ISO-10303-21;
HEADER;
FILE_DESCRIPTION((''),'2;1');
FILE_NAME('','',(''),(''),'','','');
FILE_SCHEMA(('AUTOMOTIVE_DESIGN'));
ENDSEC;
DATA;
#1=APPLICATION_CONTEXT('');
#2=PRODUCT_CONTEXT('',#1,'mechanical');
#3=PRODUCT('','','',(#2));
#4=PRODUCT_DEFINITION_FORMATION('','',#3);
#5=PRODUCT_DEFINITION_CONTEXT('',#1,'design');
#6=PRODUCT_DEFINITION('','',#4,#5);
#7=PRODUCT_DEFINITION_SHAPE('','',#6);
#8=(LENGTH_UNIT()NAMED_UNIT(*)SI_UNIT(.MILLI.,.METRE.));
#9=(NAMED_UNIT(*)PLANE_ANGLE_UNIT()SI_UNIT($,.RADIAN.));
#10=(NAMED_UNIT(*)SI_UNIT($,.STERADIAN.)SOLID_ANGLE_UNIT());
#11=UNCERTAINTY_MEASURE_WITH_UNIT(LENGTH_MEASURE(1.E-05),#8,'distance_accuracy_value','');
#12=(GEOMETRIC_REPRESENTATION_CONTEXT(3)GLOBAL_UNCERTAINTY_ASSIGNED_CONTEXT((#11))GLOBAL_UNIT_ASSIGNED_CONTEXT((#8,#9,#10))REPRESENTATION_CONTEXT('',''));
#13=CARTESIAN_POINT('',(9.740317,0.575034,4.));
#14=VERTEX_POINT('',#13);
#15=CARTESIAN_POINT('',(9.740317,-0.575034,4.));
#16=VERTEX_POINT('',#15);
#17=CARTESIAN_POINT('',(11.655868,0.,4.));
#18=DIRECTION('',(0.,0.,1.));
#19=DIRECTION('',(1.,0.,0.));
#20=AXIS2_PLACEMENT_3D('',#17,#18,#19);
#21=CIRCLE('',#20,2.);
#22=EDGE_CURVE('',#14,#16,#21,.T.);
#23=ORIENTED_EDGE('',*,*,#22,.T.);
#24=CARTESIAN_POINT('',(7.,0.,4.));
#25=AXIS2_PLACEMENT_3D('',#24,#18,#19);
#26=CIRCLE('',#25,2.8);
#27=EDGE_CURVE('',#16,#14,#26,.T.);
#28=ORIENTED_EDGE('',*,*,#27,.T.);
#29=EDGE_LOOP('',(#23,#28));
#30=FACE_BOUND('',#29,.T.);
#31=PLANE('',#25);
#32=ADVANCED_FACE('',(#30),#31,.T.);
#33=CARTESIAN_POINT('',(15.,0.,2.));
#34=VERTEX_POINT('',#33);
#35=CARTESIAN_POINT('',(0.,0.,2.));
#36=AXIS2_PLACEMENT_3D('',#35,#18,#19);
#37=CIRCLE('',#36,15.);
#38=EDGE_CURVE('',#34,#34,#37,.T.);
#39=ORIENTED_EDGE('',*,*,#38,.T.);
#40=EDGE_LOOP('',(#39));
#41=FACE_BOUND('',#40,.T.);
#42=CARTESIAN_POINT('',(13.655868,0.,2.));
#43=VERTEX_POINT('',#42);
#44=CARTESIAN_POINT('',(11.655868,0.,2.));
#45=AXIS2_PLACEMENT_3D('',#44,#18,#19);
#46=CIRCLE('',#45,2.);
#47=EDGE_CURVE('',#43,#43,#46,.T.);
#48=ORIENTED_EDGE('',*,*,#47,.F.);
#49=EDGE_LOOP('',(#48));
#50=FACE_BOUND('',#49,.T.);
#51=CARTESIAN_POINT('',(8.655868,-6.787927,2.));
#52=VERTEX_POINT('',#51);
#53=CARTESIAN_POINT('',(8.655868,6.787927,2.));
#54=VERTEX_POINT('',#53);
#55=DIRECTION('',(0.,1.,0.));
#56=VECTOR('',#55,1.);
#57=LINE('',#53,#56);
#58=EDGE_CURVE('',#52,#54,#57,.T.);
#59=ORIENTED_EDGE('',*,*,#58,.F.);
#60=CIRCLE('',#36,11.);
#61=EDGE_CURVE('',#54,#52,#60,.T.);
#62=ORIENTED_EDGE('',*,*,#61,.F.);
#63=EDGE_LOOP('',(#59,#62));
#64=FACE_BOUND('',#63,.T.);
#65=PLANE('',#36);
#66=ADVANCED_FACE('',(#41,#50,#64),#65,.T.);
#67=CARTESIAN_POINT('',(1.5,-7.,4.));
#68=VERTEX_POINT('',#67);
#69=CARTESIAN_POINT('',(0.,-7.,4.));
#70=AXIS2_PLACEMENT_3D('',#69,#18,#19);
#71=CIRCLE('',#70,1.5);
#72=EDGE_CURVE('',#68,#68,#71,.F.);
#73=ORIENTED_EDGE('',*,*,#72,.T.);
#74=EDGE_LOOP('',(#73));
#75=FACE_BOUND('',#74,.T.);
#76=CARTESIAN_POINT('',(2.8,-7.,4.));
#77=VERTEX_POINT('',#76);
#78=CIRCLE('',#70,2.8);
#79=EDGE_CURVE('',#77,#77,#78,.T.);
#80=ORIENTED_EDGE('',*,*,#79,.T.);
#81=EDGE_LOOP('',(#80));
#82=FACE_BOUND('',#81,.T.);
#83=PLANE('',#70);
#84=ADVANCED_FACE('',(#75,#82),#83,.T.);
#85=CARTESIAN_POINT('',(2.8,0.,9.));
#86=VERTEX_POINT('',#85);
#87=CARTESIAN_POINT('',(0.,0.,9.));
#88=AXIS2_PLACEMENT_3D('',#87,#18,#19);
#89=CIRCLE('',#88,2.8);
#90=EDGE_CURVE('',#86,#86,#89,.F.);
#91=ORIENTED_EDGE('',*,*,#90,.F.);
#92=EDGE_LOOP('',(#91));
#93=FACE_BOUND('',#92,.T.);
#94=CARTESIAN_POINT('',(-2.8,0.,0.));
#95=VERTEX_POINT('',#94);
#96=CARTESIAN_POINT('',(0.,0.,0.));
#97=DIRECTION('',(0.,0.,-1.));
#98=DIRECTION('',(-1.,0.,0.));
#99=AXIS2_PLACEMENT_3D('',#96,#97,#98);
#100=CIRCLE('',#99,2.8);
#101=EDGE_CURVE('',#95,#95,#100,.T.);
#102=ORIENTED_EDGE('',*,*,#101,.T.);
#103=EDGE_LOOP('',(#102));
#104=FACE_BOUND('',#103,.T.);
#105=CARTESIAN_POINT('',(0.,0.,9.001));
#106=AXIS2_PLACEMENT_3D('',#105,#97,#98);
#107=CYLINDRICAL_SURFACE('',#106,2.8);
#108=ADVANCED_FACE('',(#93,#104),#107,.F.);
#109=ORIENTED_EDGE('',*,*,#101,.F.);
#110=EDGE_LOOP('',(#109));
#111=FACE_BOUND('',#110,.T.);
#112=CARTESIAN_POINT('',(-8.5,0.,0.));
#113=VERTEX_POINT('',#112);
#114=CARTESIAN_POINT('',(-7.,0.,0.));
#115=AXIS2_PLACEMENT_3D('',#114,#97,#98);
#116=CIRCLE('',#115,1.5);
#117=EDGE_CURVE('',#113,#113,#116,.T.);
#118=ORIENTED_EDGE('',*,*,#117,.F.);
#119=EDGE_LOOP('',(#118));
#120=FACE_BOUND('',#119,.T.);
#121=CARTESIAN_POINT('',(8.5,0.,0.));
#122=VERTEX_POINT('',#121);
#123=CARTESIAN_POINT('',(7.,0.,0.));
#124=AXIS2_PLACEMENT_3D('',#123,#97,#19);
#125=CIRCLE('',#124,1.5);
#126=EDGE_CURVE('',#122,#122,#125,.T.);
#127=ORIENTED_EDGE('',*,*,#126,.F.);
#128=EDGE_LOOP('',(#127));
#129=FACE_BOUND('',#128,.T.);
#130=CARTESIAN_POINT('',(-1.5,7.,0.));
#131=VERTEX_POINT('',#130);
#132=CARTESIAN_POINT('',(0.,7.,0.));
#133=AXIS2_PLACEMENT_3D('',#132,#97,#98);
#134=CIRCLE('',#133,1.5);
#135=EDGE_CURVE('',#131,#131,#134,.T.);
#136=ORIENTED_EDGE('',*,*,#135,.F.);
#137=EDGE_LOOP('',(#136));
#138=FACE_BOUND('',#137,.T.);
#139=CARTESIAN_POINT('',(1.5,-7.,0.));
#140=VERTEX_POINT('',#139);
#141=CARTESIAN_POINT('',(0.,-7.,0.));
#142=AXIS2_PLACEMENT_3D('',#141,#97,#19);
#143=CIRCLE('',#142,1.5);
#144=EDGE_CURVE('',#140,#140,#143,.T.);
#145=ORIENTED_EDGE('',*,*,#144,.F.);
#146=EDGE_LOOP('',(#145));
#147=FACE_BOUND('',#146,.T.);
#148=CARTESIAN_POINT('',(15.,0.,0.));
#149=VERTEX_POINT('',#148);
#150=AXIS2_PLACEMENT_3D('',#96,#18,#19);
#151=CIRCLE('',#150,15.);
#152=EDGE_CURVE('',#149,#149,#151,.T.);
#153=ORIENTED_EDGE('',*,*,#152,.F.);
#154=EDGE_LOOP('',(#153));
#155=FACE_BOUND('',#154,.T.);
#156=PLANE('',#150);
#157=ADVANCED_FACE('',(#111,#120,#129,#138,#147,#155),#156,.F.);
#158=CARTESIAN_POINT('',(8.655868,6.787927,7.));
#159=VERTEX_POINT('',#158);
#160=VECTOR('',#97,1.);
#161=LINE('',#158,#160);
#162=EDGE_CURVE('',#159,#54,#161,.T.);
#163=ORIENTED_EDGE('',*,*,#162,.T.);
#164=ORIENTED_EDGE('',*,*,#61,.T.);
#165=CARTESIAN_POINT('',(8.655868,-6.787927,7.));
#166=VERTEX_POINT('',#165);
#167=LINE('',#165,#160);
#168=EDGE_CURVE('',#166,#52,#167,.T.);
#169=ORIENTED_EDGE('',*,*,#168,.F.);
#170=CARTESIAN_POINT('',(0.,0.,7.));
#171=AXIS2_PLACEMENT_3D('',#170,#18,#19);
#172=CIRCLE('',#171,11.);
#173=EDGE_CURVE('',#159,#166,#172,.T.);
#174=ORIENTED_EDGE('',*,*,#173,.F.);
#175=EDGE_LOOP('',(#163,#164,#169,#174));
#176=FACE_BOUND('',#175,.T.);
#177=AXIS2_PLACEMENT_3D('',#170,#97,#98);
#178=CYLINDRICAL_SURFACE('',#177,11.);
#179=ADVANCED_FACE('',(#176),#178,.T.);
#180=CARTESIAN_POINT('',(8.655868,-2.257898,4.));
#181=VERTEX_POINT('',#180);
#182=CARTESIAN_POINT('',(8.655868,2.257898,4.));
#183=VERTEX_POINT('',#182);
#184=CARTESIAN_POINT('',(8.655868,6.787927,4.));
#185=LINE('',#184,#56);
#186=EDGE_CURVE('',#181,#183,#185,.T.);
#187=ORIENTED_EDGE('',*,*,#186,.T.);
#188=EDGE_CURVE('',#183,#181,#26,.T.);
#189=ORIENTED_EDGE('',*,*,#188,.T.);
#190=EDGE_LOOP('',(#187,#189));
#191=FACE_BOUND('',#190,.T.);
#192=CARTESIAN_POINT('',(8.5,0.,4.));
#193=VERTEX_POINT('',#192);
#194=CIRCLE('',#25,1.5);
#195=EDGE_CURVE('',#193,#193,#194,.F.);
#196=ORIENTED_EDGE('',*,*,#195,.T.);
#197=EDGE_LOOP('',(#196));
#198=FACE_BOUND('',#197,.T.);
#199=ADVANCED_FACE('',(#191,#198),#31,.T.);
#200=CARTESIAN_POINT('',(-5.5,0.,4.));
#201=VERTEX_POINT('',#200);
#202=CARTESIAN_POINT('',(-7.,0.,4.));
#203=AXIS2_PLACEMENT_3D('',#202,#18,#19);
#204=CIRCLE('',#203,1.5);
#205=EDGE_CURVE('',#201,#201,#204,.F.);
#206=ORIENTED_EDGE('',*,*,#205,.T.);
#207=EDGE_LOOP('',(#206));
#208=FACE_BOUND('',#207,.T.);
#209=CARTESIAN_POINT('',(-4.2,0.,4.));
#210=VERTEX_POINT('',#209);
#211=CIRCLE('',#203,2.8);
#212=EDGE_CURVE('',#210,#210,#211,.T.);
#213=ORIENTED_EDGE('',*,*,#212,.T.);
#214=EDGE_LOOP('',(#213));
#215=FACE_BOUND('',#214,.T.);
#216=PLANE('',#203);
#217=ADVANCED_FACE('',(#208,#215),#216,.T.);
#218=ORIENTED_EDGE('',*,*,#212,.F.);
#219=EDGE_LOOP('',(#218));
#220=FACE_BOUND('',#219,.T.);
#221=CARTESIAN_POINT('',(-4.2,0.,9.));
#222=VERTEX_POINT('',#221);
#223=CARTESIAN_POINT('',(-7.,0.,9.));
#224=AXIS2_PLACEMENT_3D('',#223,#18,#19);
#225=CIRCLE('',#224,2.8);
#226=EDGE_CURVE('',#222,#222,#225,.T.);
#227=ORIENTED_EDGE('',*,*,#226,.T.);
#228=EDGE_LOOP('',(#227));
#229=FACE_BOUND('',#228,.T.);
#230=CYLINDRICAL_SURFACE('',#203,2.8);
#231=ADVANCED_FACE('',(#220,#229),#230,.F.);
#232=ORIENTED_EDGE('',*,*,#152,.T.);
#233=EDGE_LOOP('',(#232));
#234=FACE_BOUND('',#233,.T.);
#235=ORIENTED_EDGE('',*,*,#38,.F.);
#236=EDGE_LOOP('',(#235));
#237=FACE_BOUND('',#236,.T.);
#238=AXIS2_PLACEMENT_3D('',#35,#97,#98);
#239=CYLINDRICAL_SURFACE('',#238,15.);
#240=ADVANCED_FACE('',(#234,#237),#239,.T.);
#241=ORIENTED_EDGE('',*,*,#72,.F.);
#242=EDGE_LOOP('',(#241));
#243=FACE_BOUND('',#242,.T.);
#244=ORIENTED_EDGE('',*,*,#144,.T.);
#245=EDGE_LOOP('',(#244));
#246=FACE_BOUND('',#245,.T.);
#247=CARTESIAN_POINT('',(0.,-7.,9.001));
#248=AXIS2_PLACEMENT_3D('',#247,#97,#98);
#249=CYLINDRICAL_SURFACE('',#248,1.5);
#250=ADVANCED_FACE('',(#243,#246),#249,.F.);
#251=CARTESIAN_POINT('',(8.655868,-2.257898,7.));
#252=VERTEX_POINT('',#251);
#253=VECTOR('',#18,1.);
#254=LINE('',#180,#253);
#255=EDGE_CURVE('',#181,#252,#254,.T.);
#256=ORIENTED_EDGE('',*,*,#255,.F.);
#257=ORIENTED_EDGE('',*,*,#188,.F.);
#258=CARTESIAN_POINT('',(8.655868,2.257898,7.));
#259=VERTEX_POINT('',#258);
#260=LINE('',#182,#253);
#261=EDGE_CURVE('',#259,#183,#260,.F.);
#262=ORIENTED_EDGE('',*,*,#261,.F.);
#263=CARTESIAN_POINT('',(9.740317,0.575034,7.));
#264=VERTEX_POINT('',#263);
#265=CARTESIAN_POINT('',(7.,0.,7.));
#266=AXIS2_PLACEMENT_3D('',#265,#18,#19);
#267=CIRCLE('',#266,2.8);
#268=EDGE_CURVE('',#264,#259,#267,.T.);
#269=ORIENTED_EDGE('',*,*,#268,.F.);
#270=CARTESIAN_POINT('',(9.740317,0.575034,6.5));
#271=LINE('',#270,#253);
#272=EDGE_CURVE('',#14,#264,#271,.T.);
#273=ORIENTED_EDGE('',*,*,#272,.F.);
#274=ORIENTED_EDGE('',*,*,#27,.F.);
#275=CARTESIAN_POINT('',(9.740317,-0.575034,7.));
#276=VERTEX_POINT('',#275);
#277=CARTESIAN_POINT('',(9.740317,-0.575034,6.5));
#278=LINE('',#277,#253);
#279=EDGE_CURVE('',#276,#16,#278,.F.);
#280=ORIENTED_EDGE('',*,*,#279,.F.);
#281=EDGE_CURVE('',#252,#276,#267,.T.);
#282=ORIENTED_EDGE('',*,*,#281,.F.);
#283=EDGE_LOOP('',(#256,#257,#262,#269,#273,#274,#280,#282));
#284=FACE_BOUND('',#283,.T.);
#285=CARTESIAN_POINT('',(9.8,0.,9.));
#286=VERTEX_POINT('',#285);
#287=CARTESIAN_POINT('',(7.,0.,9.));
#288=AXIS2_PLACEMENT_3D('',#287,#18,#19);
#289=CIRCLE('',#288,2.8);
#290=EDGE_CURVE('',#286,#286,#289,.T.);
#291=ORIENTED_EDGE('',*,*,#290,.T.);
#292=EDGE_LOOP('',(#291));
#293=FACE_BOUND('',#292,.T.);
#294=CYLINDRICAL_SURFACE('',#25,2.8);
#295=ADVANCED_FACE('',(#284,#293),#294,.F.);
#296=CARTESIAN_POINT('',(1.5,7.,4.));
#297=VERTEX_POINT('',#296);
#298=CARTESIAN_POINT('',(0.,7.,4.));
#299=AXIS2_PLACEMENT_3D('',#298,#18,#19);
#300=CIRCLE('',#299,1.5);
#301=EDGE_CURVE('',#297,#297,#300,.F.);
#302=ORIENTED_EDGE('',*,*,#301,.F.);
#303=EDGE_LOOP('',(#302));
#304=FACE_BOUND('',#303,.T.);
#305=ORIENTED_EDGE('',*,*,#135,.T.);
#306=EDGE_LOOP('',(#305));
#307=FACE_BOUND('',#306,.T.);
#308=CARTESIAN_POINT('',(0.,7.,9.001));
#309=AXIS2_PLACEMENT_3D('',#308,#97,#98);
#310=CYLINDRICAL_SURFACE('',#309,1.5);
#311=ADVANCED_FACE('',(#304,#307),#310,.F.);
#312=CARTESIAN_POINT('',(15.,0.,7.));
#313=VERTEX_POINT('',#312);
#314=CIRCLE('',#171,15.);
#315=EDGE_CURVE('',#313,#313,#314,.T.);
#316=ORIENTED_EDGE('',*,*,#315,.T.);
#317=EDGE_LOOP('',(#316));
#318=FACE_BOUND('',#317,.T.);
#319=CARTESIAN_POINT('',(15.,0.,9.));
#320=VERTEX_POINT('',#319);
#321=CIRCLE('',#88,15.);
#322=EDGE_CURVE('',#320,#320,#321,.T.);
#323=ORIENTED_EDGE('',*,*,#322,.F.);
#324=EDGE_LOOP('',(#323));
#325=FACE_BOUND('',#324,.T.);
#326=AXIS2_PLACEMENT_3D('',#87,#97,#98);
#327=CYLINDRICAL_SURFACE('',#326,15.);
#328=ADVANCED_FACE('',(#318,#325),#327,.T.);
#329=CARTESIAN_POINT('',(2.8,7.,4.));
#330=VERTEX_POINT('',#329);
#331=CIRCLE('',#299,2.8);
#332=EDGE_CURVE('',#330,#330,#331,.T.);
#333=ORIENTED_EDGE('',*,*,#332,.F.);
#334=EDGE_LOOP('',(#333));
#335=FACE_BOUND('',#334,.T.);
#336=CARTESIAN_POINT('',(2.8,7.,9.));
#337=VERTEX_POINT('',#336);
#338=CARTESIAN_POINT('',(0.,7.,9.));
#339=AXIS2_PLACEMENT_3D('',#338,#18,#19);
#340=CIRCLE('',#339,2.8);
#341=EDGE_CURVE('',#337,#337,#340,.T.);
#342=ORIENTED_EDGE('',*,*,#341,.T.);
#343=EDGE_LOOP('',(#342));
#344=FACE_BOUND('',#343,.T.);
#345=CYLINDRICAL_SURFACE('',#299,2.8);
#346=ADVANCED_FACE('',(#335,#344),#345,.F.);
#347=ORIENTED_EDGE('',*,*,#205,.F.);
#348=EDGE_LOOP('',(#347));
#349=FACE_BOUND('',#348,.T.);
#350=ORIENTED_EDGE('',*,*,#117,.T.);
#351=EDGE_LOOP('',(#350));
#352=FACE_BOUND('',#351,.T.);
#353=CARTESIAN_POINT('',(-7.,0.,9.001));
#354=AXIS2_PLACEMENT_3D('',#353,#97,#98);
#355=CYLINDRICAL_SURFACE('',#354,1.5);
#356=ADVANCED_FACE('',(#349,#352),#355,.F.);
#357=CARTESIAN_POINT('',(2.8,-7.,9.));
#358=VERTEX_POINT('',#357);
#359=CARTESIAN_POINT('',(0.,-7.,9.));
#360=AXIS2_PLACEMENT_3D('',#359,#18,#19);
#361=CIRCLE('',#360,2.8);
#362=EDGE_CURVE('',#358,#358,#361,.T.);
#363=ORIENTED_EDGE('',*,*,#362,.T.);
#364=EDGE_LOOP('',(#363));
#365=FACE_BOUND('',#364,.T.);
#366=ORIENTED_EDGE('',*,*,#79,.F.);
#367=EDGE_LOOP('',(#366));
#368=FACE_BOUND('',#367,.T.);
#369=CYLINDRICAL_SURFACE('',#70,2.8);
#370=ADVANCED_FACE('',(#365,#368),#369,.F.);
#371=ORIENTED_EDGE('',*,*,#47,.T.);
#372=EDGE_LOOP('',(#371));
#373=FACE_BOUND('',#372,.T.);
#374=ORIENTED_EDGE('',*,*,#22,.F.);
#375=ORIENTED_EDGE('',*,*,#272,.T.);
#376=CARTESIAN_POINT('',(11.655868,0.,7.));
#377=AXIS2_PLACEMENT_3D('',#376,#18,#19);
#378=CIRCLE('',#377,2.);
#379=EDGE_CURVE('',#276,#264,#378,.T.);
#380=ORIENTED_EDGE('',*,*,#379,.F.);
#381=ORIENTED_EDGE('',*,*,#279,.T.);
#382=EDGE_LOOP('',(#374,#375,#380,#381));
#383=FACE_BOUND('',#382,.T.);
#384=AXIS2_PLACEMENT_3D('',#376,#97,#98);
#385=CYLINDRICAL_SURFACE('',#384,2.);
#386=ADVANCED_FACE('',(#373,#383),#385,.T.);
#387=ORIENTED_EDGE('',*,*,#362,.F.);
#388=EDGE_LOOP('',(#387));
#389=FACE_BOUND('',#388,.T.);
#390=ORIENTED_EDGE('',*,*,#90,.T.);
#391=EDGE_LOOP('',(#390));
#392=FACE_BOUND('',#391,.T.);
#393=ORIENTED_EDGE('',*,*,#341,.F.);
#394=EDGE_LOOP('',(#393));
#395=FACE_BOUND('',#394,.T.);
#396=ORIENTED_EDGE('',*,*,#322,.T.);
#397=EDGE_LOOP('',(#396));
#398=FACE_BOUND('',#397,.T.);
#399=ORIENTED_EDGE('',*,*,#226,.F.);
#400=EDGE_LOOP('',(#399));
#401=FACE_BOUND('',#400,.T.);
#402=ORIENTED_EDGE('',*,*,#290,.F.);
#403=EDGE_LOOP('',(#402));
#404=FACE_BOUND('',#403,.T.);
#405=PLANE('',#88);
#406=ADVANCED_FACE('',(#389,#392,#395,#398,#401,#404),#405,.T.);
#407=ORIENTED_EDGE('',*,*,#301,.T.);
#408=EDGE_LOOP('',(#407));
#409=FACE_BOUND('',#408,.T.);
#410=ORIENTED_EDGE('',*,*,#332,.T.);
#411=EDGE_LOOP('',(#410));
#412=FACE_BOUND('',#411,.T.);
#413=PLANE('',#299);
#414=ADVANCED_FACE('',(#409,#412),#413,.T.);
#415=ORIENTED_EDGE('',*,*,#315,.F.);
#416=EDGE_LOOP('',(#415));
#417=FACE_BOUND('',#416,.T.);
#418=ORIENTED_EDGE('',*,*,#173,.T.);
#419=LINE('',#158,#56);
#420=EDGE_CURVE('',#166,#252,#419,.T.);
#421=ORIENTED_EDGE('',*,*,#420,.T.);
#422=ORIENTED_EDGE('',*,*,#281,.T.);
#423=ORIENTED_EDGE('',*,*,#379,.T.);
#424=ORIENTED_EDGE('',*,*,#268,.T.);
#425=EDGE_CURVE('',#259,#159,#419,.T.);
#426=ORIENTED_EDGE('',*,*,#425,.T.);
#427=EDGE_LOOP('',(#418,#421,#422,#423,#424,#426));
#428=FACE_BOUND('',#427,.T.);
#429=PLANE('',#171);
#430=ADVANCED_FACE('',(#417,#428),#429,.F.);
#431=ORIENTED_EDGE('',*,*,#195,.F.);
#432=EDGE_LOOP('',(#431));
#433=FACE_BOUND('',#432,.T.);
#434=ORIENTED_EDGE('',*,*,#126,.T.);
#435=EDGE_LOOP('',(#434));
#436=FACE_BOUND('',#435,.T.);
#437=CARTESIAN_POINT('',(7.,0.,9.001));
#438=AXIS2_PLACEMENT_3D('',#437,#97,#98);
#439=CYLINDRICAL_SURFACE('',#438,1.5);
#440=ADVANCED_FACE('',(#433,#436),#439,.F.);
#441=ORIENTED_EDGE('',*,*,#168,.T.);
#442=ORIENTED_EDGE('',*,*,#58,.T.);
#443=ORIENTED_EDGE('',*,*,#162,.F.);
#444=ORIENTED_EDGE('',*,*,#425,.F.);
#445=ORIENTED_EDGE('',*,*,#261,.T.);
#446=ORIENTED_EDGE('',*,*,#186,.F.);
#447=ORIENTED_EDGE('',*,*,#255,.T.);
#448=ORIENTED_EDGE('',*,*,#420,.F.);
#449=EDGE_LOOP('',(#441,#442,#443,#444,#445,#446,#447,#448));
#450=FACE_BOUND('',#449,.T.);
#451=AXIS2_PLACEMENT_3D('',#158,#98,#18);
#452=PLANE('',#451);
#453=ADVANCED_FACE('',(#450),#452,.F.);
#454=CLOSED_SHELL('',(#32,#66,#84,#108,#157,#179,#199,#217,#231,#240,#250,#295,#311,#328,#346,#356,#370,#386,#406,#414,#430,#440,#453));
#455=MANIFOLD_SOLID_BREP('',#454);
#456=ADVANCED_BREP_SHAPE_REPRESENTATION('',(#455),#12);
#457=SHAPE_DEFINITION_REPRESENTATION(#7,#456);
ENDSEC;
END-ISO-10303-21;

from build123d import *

# Parameters (mm, degrees)
SKETCH_1_R          = 15
EXTRUDE_1_DEPTH     = 2
SKETCH_2_R          = 2
EXTRUDE_2_DEPTH     = 5
SKETCH_3_R          = 15
EXTRUDE_3_DEPTH     = 2
CUT_EXTRUDE_1_REACH = 11
SKETCH_4_R          = 1.5
SKETCH_4_R_2        = 2.8
SKETCH_5_R          = 2.8
CUT_EXTRUDE_2_DEPTH = 5


with BuildPart() as part:
    # 草图1 → 凸台-拉伸1 (new body)
    with BuildSketch(Plane.XY):
        Circle(SKETCH_1_R)
    extrude(amount=EXTRUDE_1_DEPTH)

    # 草图2 → 凸台-拉伸2 (add)
    with BuildSketch(Plane.XY.offset(2)):
        with Locations((11.655867717, 0)):
            Circle(SKETCH_2_R)
        with BuildLine():
            Line((8.655867717, 6.787927082), (8.655867717, -6.787927082))
            ThreePointArc((8.655867717, -6.787927082), (-11, 0), (8.655867717, 6.787927082))
        make_face()
    extrude(amount=EXTRUDE_2_DEPTH)

    # 草图3 → 凸台-拉伸3 (add)
    with BuildSketch(Plane.XY.offset(7)):
        Circle(SKETCH_3_R)
    extrude(amount=EXTRUDE_3_DEPTH)

    # 草图4 → 切除-拉伸1 (cut, up to next)
    with BuildSketch(Plane(origin=(0, 0, 0), x_dir=(-1, 0, 0), z_dir=(0, 0, -1)), mode=Mode.PRIVATE) as cut_extrude_1_sk1:
        with Locations((0, 7)):
            Circle(SKETCH_4_R)
    cut_extrude_1_tool1 = extrude(cut_extrude_1_sk1.sketch, amount=-CUT_EXTRUDE_1_REACH, mode=Mode.PRIVATE) & part.part
    add(cut_extrude_1_tool1.solids().sort_by_distance((0, 7, 0))[0], mode=Mode.SUBTRACT)
    # 草图4 → 切除-拉伸1 (cut, up to next)
    with BuildSketch(Plane(origin=(0, 0, 0), x_dir=(-1, 0, 0), z_dir=(0, 0, -1)), mode=Mode.PRIVATE) as cut_extrude_1_sk2:
        with Locations((0, -7)):
            Circle(SKETCH_4_R)
    cut_extrude_1_tool2 = extrude(cut_extrude_1_sk2.sketch, amount=-CUT_EXTRUDE_1_REACH, mode=Mode.PRIVATE) & part.part
    add(cut_extrude_1_tool2.solids().sort_by_distance((0, -7, 0))[0], mode=Mode.SUBTRACT)
    # 草图4 → 切除-拉伸1 (cut, up to next)
    with BuildSketch(Plane(origin=(0, 0, 0), x_dir=(-1, 0, 0), z_dir=(0, 0, -1)), mode=Mode.PRIVATE) as cut_extrude_1_sk3:
        with Locations((7, 0)):
            Circle(SKETCH_4_R)
    cut_extrude_1_tool3 = extrude(cut_extrude_1_sk3.sketch, amount=-CUT_EXTRUDE_1_REACH, mode=Mode.PRIVATE) & part.part
    add(cut_extrude_1_tool3.solids().sort_by_distance((-7, 0, 0))[0], mode=Mode.SUBTRACT)
    # 草图4 → 切除-拉伸1 (cut, up to next)
    with BuildSketch(Plane(origin=(0, 0, 0), x_dir=(-1, 0, 0), z_dir=(0, 0, -1)), mode=Mode.PRIVATE) as cut_extrude_1_sk4:
        with Locations((-7, 0)):
            Circle(SKETCH_4_R)
    cut_extrude_1_tool4 = extrude(cut_extrude_1_sk4.sketch, amount=-CUT_EXTRUDE_1_REACH, mode=Mode.PRIVATE) & part.part
    add(cut_extrude_1_tool4.solids().sort_by_distance((7, 0, 0))[0], mode=Mode.SUBTRACT)
    # 草图4 → 切除-拉伸1 (cut, up to next)
    with BuildSketch(Plane(origin=(0, 0, 0), x_dir=(-1, 0, 0), z_dir=(0, 0, -1)), mode=Mode.PRIVATE) as cut_extrude_1_sk5:
        Circle(SKETCH_4_R_2)
    cut_extrude_1_tool5 = extrude(cut_extrude_1_sk5.sketch, amount=-CUT_EXTRUDE_1_REACH, mode=Mode.PRIVATE) & part.part
    add(cut_extrude_1_tool5.solids().sort_by_distance((0, 0, 0))[0], mode=Mode.SUBTRACT)

    # 草图5 → 切除-拉伸2 (cut)
    with BuildSketch(Plane.XY.offset(9)):
        with Locations((0, 7)):
            Circle(SKETCH_5_R)
        with Locations((7, 0)):
            Circle(SKETCH_5_R)
        with Locations((-7, 0)):
            Circle(SKETCH_5_R)
        with Locations((0, -7)):
            Circle(SKETCH_5_R)
    extrude(amount=-CUT_EXTRUDE_2_DEPTH, mode=Mode.SUBTRACT)


solid = part.part
